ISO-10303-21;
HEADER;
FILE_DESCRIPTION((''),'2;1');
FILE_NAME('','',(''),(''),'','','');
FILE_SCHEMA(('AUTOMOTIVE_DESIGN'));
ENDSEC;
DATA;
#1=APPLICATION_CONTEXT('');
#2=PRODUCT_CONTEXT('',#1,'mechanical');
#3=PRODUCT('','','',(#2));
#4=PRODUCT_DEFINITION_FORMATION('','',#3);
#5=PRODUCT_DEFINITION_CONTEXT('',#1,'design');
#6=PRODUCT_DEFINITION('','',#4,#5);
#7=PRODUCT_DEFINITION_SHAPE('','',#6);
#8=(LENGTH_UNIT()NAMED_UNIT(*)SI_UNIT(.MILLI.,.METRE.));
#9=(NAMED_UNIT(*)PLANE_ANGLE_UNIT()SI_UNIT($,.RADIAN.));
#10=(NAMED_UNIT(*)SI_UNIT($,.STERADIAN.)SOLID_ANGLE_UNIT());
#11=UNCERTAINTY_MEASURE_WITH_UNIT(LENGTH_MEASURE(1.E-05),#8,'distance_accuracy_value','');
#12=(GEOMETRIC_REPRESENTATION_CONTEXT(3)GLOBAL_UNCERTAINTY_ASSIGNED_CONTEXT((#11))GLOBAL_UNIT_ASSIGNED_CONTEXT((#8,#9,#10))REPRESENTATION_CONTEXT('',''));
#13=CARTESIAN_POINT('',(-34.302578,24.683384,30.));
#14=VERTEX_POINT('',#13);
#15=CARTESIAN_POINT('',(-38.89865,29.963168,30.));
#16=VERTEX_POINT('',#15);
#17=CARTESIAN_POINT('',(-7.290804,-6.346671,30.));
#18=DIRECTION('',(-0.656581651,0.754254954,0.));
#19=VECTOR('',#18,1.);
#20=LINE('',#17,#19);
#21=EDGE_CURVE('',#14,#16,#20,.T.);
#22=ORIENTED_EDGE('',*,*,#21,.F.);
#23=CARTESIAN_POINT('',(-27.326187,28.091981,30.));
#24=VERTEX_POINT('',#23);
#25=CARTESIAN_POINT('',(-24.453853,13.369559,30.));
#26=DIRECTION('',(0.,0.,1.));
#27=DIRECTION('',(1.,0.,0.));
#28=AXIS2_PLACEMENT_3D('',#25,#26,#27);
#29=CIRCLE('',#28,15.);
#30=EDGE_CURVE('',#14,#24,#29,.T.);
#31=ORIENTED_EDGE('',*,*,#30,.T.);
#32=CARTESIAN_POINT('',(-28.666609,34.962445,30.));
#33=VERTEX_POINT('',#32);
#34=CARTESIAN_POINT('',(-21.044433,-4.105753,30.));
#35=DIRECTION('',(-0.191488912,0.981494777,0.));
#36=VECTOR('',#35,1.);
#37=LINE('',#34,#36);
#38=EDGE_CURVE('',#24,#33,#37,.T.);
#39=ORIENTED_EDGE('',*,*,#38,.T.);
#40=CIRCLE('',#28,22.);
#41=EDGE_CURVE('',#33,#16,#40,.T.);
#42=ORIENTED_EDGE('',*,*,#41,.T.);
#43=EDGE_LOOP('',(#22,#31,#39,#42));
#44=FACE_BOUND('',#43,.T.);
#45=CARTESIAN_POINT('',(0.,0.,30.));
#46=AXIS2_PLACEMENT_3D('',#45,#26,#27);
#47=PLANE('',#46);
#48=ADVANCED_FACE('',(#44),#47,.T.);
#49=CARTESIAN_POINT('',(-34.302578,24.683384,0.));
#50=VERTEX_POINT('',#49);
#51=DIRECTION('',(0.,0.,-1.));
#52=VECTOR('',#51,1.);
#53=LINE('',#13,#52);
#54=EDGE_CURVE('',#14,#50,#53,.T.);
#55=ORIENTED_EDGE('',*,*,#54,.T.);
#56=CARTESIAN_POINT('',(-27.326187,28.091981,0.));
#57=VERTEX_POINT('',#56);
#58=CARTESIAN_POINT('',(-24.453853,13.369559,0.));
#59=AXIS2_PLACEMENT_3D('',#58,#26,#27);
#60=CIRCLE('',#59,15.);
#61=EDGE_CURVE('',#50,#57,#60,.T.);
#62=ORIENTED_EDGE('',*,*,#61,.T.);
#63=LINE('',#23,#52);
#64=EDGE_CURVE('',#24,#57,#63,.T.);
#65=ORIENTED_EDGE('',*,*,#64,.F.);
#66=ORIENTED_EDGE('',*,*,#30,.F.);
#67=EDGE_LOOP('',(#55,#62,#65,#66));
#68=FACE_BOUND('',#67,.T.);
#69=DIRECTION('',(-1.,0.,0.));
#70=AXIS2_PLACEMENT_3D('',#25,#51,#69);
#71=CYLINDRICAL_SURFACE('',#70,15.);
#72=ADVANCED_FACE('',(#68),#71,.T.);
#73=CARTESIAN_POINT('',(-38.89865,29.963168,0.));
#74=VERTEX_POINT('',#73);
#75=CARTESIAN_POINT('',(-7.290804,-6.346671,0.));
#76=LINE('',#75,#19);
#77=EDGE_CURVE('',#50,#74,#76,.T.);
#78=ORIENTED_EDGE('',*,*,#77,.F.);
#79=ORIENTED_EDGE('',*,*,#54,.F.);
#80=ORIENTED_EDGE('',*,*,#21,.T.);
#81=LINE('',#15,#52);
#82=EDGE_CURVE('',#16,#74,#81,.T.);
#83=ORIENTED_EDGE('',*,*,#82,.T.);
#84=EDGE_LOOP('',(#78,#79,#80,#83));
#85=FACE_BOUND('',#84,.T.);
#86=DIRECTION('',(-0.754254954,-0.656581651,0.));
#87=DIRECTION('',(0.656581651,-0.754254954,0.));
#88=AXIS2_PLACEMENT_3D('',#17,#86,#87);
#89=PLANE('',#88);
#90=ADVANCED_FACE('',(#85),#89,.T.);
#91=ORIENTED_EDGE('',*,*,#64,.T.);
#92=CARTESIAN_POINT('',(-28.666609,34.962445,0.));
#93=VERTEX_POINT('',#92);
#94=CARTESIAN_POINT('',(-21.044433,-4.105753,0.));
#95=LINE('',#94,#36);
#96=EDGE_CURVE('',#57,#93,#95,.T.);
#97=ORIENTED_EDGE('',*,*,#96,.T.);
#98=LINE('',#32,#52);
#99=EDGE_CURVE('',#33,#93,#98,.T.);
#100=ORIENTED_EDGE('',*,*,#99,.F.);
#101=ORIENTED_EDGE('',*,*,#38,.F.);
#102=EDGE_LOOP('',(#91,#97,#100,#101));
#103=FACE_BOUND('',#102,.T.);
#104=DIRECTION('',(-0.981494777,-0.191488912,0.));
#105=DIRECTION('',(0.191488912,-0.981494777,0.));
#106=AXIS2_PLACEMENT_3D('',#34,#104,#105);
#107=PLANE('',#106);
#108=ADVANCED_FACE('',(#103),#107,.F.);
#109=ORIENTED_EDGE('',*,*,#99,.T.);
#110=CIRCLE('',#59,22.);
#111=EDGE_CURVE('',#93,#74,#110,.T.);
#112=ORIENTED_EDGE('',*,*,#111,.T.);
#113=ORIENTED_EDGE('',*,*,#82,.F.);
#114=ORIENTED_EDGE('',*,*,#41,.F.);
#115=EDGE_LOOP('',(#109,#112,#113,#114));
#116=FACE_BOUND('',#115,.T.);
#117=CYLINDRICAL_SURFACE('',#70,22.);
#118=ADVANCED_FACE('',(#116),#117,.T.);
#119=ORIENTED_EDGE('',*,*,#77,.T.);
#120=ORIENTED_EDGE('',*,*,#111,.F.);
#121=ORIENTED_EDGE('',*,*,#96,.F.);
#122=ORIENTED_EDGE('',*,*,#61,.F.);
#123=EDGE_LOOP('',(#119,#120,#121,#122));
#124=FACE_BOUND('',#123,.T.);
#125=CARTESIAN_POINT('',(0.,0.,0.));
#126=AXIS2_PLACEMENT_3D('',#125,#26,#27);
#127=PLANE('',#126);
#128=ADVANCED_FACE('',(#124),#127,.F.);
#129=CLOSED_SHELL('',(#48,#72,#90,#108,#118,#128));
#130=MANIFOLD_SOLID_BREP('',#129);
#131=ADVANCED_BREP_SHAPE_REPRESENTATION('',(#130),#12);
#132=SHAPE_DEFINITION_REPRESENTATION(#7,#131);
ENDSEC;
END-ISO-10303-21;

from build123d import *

# Parameters (mm, degrees)
EXTRUDE_1_DEPTH = 30


with BuildPart() as part:
    # 草图1 → 凸台-拉伸1 (new body)
    with BuildSketch(Plane.XY):
        with BuildLine():
            ThreePointArc((-34.302578181, 24.683383753), (-17.868949022, -0.107793196), (-27.326187102, 28.091981089))
            Line((-27.326187102, 28.091981089), (-28.666609487, 34.962444526))
            ThreePointArc((-28.666609487, 34.962444526), (-34.111713204, 33.136343306), (-38.898649737, 29.963168432))
            Line((-38.898649737, 29.963168432), (-34.302578181, 24.683383753))
        make_face()
    extrude(amount=EXTRUDE_1_DEPTH)


solid = part.part
